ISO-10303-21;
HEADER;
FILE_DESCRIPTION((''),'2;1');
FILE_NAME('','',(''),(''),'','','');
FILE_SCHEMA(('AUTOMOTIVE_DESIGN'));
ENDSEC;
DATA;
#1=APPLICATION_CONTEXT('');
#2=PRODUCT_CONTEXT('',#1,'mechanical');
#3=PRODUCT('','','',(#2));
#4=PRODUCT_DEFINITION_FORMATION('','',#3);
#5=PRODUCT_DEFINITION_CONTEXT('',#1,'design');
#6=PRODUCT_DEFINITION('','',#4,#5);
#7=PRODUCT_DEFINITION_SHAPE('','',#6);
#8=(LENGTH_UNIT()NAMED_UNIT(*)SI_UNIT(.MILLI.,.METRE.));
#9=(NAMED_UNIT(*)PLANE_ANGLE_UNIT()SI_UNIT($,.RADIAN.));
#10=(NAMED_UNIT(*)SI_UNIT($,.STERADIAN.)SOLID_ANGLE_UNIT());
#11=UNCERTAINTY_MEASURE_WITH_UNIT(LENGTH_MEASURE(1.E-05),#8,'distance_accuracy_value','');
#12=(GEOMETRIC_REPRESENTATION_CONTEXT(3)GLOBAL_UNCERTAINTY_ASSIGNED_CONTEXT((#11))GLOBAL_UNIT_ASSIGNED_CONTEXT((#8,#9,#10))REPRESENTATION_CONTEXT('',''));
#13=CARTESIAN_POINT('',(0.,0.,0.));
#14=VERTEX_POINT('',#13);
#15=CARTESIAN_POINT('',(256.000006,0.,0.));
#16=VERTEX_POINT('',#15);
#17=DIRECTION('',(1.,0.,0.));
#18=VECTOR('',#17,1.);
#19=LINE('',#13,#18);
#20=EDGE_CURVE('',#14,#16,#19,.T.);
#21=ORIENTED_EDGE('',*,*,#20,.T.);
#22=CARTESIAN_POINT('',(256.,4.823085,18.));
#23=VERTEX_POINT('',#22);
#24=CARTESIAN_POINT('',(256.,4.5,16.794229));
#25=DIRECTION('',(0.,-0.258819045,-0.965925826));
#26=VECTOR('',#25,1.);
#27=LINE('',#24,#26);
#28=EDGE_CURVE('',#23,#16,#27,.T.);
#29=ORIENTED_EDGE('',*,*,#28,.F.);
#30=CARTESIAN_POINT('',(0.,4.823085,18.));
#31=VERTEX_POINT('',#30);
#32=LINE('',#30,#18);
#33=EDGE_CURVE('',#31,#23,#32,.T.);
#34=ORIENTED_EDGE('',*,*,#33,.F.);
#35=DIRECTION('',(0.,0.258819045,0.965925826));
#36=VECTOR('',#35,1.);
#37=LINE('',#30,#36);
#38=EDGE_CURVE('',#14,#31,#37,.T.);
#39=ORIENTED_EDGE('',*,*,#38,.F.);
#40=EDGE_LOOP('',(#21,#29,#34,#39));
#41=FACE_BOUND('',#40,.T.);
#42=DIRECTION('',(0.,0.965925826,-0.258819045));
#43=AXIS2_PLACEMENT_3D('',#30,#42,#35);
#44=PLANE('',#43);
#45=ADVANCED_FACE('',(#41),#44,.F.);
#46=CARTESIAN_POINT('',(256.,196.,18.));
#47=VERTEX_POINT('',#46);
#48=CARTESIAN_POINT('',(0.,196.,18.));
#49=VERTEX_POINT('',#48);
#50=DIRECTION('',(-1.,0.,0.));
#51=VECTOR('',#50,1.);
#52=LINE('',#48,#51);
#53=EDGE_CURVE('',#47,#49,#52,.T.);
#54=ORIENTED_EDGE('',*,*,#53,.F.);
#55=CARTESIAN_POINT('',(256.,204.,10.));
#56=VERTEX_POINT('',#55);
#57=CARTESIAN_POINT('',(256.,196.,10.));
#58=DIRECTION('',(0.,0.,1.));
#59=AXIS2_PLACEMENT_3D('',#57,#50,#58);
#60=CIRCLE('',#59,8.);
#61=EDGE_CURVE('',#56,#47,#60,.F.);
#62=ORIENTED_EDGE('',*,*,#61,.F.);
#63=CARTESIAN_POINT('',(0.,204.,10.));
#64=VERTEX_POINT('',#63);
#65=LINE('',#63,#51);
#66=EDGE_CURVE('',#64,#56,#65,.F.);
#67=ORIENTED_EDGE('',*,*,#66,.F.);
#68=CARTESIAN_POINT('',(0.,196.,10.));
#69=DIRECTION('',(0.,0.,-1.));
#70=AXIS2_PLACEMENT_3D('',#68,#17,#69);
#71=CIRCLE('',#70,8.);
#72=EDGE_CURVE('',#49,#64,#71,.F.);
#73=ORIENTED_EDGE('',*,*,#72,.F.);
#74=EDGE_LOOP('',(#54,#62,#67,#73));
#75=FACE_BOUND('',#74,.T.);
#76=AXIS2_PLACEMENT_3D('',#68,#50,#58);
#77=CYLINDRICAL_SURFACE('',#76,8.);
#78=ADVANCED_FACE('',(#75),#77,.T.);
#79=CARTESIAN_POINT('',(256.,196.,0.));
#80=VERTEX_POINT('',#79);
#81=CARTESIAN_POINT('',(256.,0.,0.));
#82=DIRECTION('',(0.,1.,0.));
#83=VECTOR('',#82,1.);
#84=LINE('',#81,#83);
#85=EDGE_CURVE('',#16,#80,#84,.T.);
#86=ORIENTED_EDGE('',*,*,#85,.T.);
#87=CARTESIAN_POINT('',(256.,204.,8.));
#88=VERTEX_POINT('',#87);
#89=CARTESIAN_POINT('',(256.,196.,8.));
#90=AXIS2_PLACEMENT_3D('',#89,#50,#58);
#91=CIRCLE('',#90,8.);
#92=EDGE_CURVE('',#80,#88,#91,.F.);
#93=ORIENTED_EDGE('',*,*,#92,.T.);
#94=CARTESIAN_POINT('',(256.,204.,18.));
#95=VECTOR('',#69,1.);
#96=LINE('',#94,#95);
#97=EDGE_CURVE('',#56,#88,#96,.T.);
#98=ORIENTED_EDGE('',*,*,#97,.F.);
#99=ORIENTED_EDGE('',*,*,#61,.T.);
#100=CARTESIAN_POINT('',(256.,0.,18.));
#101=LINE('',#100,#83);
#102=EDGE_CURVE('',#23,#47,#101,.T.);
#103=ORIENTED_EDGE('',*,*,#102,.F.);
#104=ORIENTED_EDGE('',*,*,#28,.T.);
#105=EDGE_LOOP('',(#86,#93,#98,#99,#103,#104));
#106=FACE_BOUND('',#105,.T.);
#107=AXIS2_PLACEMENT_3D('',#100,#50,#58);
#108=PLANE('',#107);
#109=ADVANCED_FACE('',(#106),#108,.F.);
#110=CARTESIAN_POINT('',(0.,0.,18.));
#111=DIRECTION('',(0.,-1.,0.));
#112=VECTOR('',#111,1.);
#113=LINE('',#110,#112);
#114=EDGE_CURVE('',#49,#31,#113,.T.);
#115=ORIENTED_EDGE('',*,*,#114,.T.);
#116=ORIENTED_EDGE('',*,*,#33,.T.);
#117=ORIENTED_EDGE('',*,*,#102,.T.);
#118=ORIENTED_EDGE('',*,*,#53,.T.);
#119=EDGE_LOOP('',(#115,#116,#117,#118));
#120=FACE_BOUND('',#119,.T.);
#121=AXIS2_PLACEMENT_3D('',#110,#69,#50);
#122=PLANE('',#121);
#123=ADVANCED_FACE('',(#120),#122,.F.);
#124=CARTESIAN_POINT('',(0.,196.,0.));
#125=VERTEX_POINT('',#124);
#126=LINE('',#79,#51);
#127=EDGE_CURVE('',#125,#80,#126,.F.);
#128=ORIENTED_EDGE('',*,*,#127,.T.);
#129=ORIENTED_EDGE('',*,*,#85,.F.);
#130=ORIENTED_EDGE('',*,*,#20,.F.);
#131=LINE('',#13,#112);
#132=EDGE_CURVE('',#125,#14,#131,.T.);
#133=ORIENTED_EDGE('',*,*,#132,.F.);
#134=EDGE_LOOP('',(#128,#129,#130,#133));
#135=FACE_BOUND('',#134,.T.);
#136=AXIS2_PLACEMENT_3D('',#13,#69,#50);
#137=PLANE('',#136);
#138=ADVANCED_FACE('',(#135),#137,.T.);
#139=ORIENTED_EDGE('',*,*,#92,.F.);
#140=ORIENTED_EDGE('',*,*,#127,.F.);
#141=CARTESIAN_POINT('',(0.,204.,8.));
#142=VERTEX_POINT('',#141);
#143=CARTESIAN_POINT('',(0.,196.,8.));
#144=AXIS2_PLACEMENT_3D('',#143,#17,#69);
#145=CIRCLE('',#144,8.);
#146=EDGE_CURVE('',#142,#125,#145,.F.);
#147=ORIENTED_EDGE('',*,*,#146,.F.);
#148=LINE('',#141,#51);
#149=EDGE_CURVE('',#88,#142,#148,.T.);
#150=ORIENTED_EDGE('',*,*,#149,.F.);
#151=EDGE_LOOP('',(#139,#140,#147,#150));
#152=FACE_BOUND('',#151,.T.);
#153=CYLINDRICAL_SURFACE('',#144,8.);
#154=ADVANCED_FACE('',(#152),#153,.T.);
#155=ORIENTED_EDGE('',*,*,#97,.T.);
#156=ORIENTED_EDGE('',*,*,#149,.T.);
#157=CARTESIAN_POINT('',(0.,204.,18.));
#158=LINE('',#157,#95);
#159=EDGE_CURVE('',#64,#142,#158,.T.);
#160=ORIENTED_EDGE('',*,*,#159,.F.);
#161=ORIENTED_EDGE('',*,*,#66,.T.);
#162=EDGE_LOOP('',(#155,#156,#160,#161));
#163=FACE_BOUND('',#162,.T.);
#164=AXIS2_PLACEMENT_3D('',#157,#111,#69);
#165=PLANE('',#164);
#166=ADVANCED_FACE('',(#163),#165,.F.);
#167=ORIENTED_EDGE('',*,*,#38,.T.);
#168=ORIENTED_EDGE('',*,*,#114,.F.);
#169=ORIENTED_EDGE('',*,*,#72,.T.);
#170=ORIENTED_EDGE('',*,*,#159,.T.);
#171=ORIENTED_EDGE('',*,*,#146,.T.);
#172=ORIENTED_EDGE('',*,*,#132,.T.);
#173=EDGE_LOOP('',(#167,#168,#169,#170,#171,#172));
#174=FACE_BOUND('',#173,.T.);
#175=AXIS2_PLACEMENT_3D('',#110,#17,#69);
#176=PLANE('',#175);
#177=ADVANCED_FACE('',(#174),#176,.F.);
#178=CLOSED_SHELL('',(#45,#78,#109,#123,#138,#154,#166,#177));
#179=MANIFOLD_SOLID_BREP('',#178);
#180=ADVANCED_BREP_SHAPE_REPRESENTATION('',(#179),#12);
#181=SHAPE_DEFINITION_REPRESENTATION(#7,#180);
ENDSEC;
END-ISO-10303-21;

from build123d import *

# Parameters (mm, degrees)
ESQUISSE1_W                  = 256
ESQUISSE1_H                  = 204
BOSS_EXTRU_1_DEPTH           = 18
CONG_1_R                     = 8
ENL_V_MAT_EXTRU_2_DEPTH      = 328.835324515
ENL_V_MAT_EXTRU_2_DEPTH_BACK = 328.835324515


with BuildPart() as part:
    # Esquisse1 → Boss.-Extru.1 (new body)
    with BuildSketch(Plane.XY):
        with Locations((128, 102)):
            Rectangle(ESQUISSE1_W, ESQUISSE1_H)
    extrude(amount=BOSS_EXTRU_1_DEPTH)

    # Congé1
    cong_1_edges = [part.edges().sort_by_distance(p)[0] for p in [
        (128, 204, 18),
        (128, 204, 0),
    ]]
    fillet(cong_1_edges, radius=CONG_1_R)

    # Esquisse4 → Enlèv. mat.-Extru.2 (cut, two sides: drawn at the far end of the back side and taken through both)
    with BuildSketch(Plane(origin=(256, 0, 0), x_dir=(0, 0, -1), z_dir=(1, 0, 0)).offset(-ENL_V_MAT_EXTRU_2_DEPTH_BACK)):
        Polygon((0, 0), (-18, 0), (-18, 4.823085464), align=None)
    extrude(amount=ENL_V_MAT_EXTRU_2_DEPTH + ENL_V_MAT_EXTRU_2_DEPTH_BACK, mode=Mode.SUBTRACT)


solid = part.part
